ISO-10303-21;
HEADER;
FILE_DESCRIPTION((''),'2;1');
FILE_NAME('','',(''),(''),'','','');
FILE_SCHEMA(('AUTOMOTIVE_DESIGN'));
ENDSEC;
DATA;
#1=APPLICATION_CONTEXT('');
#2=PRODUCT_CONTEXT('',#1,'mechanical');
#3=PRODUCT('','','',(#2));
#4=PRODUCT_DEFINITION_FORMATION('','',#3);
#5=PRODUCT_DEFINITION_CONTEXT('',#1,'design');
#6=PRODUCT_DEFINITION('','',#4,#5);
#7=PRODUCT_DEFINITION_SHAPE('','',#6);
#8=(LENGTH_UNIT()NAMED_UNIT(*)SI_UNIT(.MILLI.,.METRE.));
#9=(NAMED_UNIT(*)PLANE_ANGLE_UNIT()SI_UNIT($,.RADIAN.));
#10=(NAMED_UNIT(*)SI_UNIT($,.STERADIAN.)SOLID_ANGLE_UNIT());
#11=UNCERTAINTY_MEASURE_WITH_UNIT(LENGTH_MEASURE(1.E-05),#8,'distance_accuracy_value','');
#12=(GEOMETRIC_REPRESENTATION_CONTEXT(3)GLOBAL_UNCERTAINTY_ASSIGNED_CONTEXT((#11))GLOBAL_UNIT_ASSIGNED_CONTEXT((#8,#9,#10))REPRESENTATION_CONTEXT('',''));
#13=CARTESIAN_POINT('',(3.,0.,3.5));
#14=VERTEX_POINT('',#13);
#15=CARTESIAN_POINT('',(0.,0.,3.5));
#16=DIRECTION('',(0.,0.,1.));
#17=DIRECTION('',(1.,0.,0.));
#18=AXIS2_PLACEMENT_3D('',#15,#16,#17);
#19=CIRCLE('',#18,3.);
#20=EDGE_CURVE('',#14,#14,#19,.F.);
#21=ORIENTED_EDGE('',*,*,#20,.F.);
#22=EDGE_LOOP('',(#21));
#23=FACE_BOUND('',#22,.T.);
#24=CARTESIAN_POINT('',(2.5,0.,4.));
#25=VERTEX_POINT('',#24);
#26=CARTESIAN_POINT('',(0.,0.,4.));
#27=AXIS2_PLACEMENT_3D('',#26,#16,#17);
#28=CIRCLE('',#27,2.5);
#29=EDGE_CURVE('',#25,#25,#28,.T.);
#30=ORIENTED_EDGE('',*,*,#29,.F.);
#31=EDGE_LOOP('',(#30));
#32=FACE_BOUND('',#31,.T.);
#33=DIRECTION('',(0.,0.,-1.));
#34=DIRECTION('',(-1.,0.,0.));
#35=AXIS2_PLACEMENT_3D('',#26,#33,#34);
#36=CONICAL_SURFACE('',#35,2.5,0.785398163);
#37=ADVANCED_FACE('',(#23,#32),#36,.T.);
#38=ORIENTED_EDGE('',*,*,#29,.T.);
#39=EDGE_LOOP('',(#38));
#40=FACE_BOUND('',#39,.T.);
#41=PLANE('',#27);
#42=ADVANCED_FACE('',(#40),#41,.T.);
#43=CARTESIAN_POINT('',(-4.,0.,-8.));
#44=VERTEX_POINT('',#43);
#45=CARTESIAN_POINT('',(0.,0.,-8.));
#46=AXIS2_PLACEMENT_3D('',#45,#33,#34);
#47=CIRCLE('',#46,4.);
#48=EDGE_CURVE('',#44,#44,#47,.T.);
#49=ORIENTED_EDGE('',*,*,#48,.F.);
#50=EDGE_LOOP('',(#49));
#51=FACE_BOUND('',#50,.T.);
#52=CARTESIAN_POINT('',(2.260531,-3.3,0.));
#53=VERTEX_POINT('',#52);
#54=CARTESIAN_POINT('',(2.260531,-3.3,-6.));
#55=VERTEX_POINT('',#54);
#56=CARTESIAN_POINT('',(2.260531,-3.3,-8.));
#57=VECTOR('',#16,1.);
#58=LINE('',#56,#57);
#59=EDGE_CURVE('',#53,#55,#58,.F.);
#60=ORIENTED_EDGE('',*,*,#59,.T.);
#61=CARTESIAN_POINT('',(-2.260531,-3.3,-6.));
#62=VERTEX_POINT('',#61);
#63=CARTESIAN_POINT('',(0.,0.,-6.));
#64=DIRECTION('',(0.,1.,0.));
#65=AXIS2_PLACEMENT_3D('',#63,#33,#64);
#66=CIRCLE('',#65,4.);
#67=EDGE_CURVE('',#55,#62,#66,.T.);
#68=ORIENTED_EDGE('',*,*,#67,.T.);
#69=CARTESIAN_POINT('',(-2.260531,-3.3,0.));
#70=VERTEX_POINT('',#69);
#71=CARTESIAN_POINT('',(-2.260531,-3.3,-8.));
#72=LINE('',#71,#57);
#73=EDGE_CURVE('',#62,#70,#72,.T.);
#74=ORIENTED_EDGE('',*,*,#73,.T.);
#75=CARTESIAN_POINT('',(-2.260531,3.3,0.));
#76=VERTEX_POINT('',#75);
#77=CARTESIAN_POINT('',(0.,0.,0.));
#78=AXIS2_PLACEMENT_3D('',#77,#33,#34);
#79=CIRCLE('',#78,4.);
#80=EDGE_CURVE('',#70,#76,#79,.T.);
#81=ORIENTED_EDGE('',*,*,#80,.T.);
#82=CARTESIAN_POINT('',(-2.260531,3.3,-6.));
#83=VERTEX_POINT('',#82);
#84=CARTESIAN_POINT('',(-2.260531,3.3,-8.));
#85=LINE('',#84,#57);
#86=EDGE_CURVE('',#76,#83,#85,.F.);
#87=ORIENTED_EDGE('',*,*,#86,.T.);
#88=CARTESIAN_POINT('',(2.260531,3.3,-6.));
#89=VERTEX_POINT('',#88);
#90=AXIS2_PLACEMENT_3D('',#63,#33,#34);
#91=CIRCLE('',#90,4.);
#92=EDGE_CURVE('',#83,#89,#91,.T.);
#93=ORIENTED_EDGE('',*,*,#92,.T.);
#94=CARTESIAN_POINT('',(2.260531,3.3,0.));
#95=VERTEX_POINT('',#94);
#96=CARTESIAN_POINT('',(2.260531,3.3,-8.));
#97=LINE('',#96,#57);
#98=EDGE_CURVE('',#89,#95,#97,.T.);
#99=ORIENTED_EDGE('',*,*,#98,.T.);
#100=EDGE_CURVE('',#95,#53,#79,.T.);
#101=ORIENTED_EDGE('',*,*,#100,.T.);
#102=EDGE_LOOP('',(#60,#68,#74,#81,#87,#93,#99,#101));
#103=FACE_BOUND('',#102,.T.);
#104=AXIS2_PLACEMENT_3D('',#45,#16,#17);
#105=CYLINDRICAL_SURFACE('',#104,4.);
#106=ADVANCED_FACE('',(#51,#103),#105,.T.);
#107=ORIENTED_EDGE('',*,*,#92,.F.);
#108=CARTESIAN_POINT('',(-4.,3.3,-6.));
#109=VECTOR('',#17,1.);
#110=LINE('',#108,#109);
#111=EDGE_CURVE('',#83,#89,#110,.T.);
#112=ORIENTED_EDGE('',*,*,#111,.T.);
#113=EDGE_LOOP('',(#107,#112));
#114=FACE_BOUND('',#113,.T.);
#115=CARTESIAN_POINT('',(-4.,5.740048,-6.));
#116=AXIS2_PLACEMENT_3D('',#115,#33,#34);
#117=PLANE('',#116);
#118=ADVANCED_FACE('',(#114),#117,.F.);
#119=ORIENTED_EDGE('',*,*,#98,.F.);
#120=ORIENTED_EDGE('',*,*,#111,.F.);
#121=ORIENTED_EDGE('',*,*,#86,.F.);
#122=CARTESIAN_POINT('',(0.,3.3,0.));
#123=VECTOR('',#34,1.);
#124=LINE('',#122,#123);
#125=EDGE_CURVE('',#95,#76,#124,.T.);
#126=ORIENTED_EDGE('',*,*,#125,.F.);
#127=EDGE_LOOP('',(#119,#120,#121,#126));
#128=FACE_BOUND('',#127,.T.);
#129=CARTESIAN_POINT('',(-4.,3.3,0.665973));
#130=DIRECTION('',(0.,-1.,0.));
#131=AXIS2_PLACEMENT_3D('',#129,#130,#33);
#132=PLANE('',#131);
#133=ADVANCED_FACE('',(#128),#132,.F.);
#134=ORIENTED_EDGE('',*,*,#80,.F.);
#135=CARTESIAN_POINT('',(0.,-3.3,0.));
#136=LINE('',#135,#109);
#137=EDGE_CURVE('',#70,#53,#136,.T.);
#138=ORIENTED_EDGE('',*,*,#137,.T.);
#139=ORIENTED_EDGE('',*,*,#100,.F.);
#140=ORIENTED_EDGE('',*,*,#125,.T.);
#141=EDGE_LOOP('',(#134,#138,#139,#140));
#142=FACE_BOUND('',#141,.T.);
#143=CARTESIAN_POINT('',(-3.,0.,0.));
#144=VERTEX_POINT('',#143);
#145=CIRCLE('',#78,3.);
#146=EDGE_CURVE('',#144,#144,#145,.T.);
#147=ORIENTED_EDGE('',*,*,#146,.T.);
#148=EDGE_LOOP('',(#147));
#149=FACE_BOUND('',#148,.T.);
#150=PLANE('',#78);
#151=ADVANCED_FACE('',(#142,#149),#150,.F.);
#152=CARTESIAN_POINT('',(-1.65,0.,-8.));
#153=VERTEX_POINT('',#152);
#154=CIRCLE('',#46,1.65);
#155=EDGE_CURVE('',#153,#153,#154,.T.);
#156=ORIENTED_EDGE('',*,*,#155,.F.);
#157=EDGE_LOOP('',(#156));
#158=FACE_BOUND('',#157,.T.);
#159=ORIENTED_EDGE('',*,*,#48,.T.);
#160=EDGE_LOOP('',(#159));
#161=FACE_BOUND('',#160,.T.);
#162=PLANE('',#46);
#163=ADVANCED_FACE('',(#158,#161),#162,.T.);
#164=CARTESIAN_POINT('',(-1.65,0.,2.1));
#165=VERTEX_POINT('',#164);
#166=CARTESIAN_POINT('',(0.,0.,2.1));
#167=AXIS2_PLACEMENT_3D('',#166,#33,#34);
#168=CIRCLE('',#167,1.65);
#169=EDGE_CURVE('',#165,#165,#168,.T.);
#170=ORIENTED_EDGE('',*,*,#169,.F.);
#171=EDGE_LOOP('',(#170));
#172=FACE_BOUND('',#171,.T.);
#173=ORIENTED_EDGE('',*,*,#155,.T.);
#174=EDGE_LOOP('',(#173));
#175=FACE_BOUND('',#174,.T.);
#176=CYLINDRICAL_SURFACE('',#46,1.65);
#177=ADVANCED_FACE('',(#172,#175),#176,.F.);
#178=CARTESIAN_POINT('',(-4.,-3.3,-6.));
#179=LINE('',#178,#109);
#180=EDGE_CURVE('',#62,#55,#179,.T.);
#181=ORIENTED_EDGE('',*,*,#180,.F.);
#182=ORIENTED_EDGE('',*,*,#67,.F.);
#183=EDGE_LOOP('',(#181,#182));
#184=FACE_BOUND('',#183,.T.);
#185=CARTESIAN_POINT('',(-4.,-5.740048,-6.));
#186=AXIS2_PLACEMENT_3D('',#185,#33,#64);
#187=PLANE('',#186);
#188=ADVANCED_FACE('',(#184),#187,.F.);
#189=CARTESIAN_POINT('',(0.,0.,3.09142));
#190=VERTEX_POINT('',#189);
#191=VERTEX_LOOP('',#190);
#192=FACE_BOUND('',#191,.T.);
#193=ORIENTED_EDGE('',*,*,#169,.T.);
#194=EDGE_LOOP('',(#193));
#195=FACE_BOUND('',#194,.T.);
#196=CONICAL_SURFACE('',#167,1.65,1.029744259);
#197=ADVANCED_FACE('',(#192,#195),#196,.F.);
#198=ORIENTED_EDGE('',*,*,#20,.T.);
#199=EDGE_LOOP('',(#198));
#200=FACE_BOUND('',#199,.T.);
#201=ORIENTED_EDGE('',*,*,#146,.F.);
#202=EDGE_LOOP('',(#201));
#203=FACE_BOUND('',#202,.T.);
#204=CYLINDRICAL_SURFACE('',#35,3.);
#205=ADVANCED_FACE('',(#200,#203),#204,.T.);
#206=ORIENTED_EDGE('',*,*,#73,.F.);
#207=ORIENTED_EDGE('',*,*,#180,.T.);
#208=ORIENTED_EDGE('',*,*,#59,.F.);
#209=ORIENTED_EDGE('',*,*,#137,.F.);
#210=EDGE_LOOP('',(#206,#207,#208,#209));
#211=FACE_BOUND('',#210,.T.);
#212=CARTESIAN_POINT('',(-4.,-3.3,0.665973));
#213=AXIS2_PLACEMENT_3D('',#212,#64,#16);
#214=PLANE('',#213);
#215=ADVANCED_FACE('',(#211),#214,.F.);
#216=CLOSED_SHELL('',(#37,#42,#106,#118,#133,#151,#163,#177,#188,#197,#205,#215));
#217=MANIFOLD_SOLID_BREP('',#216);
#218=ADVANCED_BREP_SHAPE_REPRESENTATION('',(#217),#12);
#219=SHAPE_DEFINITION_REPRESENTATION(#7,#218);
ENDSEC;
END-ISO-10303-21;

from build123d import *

# Parameters (mm, degrees)
SKETCH_1_R               = 3
EXTRUDE_1_DEPTH          = 4
CHAMFER_1_SIZE           = 0.5
SKETCH_4_R               = 4
EXTRUDE_2_DEPTH          = 8
HOLE_WIZARD_M4_2_D       = 3.3
HOLE_WIZARD_M4_2_DEPTH   = 10.1
HOLE_WIZARD_M4_2_TIP     = 0.991420021
CUT_EXTRUDE_1_DEPTH      = 10.797958971
CUT_EXTRUDE_1_DEPTH_BACK = 10.797958971
SKETCH_7_W               = 6.66597258
SKETCH_7_H               = 2.440047967


with BuildPart() as part:
    # 草图1 → 凸台-拉伸1 (new body)
    with BuildSketch(Plane.XY):
        Circle(SKETCH_1_R)
    extrude(amount=EXTRUDE_1_DEPTH)

    # 倒角1
    chamfer_1_edges = [part.edges().sort_by_distance(p)[0] for p in [
        (-3, 0, 4),
    ]]
    chamfer(chamfer_1_edges, length=CHAMFER_1_SIZE)

    # 草图4 → 凸台-拉伸2 (add)
    with BuildSketch(Plane(origin=(0, 0, 0), x_dir=(-1, 0, 0), z_dir=(0, 0, -1))):
        Circle(SKETCH_4_R)
    extrude(amount=EXTRUDE_2_DEPTH)

    # M4 螺纹孔2
    with Locations(Plane(origin=(0, 0, -8), x_dir=(-1, 0, 0), z_dir=(0, 0, -1))):
        with Locations((0, 0)):
            Hole(HOLE_WIZARD_M4_2_D / 2, depth=HOLE_WIZARD_M4_2_DEPTH)
            with Locations((0, 0, -(HOLE_WIZARD_M4_2_DEPTH + HOLE_WIZARD_M4_2_TIP / 2))):  # 118° drill point
                Cone(0, HOLE_WIZARD_M4_2_D / 2, HOLE_WIZARD_M4_2_TIP, mode=Mode.SUBTRACT)

    # 草图7 → 切除-拉伸1 (cut, two sides: drawn at the far end of the back side and taken through both)
    with BuildSketch(Plane(origin=(0, 0, 0), x_dir=(0, 0, -1), z_dir=(1, 0, 0)).offset(-CUT_EXTRUDE_1_DEPTH_BACK)):
        with Locations((2.66701371, 4.520023984)):
            Rectangle(SKETCH_7_W, SKETCH_7_H)
        with Locations((2.66701371, -4.520023984)):
            Rectangle(SKETCH_7_W, SKETCH_7_H)
    extrude(amount=CUT_EXTRUDE_1_DEPTH + CUT_EXTRUDE_1_DEPTH_BACK, mode=Mode.SUBTRACT)


solid = part.part
